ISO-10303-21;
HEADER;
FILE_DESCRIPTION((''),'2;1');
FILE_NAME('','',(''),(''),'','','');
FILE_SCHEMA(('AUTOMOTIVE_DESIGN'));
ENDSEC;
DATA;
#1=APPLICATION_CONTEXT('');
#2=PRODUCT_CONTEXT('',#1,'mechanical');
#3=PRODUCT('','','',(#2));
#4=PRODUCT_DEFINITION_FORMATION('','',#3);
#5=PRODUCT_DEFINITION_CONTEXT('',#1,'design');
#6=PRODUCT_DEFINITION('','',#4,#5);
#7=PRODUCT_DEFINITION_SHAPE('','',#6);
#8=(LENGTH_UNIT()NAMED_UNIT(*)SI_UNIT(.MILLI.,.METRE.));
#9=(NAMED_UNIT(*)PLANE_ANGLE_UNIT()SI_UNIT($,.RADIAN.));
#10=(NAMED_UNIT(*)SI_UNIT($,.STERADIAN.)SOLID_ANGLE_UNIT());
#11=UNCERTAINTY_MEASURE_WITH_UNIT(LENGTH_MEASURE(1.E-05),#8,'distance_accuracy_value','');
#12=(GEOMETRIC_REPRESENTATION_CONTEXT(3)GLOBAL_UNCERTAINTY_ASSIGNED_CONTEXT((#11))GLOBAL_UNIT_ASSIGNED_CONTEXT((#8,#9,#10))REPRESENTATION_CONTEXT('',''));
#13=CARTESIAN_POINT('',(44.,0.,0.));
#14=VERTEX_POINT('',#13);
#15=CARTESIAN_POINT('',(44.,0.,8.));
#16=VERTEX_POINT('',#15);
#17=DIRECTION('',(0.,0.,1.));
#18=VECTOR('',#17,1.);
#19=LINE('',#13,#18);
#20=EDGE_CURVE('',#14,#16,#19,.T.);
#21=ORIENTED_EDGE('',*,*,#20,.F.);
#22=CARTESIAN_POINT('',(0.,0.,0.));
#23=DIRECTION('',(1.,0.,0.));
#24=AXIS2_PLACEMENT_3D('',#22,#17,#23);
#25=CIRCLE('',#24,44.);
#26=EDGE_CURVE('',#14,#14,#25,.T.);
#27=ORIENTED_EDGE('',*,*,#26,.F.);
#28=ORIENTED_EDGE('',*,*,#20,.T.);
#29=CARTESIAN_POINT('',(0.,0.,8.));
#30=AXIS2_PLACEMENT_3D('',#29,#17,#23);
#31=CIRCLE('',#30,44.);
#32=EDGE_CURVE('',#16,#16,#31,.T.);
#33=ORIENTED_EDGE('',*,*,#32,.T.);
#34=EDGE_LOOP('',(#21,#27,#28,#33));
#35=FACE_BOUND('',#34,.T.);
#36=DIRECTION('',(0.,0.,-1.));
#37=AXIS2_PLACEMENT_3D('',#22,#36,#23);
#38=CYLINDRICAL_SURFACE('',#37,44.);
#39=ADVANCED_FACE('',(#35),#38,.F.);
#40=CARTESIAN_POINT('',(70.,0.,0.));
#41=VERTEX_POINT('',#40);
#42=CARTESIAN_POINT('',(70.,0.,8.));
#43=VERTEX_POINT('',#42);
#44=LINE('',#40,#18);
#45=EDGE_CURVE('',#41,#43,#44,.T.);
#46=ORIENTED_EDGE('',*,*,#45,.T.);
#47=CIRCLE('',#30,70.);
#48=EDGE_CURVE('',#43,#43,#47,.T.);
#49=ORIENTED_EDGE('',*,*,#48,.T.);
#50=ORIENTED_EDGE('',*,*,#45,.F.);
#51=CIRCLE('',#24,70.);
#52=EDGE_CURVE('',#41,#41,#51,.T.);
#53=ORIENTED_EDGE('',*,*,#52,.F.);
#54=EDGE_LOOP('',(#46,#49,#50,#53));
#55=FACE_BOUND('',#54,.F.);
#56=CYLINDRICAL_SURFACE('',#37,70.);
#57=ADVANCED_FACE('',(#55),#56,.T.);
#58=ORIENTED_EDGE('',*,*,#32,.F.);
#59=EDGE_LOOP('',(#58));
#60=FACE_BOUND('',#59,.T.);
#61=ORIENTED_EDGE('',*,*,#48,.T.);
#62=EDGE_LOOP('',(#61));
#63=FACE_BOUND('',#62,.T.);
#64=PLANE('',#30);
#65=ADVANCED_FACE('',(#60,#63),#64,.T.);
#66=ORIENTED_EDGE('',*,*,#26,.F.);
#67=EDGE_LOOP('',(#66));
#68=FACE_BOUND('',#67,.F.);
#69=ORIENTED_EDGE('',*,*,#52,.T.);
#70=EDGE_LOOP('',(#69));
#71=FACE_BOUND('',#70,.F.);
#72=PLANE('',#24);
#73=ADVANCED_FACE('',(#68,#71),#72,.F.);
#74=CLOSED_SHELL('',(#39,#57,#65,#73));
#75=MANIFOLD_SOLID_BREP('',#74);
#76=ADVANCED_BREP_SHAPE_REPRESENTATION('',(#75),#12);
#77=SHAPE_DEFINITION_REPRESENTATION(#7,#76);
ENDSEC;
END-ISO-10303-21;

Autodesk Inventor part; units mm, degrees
ref_plane "YZ Plane" through (0, 0, 0) normal (1, 0, 0) x (0, 1, 0)
ref_plane "XZ Plane" through (0, 0, 0) normal (0, 1, 0) x (-1, 0, 0)
ref_plane "XY Plane" through (0, 0, 0) normal (0, 0, 1) x (1, 0, 0)
sketch "Sketch2" plane through (0, 0, 0) normal (0, 0, 1) x (1, 0, 0)
  circle A0 centre (0, 0) radius 44
  circle A1 centre (0, 0) radius 70
  dimension "d25" = 88
  dimension "d27" = 140
extrude "Plate2" add sketch "Sketch2" along normal blind 8
equation "\"d14\" = Thickness"
equation "\"BendReliefWidth\" = Thickness"
equation "\"BendReliefDepth\" = 0.5 * Thickness"
equation "\"CornerReliefSize\" = 4 * Thickness"
equation "\"MinimumRemnant\" = 2 * Thickness"
equation "\"TransitionRadius\" = BendRadius"
equation "\"JacobiRadiusSize\" = BendRadius"
equation "\"GapSize\" = Thickness"
equation "\"Thickness\" = 8"
equation "\"BendRadius\" = 6"
properties part number "PNS 1732 FDS free flange DN90" material "Steel"
